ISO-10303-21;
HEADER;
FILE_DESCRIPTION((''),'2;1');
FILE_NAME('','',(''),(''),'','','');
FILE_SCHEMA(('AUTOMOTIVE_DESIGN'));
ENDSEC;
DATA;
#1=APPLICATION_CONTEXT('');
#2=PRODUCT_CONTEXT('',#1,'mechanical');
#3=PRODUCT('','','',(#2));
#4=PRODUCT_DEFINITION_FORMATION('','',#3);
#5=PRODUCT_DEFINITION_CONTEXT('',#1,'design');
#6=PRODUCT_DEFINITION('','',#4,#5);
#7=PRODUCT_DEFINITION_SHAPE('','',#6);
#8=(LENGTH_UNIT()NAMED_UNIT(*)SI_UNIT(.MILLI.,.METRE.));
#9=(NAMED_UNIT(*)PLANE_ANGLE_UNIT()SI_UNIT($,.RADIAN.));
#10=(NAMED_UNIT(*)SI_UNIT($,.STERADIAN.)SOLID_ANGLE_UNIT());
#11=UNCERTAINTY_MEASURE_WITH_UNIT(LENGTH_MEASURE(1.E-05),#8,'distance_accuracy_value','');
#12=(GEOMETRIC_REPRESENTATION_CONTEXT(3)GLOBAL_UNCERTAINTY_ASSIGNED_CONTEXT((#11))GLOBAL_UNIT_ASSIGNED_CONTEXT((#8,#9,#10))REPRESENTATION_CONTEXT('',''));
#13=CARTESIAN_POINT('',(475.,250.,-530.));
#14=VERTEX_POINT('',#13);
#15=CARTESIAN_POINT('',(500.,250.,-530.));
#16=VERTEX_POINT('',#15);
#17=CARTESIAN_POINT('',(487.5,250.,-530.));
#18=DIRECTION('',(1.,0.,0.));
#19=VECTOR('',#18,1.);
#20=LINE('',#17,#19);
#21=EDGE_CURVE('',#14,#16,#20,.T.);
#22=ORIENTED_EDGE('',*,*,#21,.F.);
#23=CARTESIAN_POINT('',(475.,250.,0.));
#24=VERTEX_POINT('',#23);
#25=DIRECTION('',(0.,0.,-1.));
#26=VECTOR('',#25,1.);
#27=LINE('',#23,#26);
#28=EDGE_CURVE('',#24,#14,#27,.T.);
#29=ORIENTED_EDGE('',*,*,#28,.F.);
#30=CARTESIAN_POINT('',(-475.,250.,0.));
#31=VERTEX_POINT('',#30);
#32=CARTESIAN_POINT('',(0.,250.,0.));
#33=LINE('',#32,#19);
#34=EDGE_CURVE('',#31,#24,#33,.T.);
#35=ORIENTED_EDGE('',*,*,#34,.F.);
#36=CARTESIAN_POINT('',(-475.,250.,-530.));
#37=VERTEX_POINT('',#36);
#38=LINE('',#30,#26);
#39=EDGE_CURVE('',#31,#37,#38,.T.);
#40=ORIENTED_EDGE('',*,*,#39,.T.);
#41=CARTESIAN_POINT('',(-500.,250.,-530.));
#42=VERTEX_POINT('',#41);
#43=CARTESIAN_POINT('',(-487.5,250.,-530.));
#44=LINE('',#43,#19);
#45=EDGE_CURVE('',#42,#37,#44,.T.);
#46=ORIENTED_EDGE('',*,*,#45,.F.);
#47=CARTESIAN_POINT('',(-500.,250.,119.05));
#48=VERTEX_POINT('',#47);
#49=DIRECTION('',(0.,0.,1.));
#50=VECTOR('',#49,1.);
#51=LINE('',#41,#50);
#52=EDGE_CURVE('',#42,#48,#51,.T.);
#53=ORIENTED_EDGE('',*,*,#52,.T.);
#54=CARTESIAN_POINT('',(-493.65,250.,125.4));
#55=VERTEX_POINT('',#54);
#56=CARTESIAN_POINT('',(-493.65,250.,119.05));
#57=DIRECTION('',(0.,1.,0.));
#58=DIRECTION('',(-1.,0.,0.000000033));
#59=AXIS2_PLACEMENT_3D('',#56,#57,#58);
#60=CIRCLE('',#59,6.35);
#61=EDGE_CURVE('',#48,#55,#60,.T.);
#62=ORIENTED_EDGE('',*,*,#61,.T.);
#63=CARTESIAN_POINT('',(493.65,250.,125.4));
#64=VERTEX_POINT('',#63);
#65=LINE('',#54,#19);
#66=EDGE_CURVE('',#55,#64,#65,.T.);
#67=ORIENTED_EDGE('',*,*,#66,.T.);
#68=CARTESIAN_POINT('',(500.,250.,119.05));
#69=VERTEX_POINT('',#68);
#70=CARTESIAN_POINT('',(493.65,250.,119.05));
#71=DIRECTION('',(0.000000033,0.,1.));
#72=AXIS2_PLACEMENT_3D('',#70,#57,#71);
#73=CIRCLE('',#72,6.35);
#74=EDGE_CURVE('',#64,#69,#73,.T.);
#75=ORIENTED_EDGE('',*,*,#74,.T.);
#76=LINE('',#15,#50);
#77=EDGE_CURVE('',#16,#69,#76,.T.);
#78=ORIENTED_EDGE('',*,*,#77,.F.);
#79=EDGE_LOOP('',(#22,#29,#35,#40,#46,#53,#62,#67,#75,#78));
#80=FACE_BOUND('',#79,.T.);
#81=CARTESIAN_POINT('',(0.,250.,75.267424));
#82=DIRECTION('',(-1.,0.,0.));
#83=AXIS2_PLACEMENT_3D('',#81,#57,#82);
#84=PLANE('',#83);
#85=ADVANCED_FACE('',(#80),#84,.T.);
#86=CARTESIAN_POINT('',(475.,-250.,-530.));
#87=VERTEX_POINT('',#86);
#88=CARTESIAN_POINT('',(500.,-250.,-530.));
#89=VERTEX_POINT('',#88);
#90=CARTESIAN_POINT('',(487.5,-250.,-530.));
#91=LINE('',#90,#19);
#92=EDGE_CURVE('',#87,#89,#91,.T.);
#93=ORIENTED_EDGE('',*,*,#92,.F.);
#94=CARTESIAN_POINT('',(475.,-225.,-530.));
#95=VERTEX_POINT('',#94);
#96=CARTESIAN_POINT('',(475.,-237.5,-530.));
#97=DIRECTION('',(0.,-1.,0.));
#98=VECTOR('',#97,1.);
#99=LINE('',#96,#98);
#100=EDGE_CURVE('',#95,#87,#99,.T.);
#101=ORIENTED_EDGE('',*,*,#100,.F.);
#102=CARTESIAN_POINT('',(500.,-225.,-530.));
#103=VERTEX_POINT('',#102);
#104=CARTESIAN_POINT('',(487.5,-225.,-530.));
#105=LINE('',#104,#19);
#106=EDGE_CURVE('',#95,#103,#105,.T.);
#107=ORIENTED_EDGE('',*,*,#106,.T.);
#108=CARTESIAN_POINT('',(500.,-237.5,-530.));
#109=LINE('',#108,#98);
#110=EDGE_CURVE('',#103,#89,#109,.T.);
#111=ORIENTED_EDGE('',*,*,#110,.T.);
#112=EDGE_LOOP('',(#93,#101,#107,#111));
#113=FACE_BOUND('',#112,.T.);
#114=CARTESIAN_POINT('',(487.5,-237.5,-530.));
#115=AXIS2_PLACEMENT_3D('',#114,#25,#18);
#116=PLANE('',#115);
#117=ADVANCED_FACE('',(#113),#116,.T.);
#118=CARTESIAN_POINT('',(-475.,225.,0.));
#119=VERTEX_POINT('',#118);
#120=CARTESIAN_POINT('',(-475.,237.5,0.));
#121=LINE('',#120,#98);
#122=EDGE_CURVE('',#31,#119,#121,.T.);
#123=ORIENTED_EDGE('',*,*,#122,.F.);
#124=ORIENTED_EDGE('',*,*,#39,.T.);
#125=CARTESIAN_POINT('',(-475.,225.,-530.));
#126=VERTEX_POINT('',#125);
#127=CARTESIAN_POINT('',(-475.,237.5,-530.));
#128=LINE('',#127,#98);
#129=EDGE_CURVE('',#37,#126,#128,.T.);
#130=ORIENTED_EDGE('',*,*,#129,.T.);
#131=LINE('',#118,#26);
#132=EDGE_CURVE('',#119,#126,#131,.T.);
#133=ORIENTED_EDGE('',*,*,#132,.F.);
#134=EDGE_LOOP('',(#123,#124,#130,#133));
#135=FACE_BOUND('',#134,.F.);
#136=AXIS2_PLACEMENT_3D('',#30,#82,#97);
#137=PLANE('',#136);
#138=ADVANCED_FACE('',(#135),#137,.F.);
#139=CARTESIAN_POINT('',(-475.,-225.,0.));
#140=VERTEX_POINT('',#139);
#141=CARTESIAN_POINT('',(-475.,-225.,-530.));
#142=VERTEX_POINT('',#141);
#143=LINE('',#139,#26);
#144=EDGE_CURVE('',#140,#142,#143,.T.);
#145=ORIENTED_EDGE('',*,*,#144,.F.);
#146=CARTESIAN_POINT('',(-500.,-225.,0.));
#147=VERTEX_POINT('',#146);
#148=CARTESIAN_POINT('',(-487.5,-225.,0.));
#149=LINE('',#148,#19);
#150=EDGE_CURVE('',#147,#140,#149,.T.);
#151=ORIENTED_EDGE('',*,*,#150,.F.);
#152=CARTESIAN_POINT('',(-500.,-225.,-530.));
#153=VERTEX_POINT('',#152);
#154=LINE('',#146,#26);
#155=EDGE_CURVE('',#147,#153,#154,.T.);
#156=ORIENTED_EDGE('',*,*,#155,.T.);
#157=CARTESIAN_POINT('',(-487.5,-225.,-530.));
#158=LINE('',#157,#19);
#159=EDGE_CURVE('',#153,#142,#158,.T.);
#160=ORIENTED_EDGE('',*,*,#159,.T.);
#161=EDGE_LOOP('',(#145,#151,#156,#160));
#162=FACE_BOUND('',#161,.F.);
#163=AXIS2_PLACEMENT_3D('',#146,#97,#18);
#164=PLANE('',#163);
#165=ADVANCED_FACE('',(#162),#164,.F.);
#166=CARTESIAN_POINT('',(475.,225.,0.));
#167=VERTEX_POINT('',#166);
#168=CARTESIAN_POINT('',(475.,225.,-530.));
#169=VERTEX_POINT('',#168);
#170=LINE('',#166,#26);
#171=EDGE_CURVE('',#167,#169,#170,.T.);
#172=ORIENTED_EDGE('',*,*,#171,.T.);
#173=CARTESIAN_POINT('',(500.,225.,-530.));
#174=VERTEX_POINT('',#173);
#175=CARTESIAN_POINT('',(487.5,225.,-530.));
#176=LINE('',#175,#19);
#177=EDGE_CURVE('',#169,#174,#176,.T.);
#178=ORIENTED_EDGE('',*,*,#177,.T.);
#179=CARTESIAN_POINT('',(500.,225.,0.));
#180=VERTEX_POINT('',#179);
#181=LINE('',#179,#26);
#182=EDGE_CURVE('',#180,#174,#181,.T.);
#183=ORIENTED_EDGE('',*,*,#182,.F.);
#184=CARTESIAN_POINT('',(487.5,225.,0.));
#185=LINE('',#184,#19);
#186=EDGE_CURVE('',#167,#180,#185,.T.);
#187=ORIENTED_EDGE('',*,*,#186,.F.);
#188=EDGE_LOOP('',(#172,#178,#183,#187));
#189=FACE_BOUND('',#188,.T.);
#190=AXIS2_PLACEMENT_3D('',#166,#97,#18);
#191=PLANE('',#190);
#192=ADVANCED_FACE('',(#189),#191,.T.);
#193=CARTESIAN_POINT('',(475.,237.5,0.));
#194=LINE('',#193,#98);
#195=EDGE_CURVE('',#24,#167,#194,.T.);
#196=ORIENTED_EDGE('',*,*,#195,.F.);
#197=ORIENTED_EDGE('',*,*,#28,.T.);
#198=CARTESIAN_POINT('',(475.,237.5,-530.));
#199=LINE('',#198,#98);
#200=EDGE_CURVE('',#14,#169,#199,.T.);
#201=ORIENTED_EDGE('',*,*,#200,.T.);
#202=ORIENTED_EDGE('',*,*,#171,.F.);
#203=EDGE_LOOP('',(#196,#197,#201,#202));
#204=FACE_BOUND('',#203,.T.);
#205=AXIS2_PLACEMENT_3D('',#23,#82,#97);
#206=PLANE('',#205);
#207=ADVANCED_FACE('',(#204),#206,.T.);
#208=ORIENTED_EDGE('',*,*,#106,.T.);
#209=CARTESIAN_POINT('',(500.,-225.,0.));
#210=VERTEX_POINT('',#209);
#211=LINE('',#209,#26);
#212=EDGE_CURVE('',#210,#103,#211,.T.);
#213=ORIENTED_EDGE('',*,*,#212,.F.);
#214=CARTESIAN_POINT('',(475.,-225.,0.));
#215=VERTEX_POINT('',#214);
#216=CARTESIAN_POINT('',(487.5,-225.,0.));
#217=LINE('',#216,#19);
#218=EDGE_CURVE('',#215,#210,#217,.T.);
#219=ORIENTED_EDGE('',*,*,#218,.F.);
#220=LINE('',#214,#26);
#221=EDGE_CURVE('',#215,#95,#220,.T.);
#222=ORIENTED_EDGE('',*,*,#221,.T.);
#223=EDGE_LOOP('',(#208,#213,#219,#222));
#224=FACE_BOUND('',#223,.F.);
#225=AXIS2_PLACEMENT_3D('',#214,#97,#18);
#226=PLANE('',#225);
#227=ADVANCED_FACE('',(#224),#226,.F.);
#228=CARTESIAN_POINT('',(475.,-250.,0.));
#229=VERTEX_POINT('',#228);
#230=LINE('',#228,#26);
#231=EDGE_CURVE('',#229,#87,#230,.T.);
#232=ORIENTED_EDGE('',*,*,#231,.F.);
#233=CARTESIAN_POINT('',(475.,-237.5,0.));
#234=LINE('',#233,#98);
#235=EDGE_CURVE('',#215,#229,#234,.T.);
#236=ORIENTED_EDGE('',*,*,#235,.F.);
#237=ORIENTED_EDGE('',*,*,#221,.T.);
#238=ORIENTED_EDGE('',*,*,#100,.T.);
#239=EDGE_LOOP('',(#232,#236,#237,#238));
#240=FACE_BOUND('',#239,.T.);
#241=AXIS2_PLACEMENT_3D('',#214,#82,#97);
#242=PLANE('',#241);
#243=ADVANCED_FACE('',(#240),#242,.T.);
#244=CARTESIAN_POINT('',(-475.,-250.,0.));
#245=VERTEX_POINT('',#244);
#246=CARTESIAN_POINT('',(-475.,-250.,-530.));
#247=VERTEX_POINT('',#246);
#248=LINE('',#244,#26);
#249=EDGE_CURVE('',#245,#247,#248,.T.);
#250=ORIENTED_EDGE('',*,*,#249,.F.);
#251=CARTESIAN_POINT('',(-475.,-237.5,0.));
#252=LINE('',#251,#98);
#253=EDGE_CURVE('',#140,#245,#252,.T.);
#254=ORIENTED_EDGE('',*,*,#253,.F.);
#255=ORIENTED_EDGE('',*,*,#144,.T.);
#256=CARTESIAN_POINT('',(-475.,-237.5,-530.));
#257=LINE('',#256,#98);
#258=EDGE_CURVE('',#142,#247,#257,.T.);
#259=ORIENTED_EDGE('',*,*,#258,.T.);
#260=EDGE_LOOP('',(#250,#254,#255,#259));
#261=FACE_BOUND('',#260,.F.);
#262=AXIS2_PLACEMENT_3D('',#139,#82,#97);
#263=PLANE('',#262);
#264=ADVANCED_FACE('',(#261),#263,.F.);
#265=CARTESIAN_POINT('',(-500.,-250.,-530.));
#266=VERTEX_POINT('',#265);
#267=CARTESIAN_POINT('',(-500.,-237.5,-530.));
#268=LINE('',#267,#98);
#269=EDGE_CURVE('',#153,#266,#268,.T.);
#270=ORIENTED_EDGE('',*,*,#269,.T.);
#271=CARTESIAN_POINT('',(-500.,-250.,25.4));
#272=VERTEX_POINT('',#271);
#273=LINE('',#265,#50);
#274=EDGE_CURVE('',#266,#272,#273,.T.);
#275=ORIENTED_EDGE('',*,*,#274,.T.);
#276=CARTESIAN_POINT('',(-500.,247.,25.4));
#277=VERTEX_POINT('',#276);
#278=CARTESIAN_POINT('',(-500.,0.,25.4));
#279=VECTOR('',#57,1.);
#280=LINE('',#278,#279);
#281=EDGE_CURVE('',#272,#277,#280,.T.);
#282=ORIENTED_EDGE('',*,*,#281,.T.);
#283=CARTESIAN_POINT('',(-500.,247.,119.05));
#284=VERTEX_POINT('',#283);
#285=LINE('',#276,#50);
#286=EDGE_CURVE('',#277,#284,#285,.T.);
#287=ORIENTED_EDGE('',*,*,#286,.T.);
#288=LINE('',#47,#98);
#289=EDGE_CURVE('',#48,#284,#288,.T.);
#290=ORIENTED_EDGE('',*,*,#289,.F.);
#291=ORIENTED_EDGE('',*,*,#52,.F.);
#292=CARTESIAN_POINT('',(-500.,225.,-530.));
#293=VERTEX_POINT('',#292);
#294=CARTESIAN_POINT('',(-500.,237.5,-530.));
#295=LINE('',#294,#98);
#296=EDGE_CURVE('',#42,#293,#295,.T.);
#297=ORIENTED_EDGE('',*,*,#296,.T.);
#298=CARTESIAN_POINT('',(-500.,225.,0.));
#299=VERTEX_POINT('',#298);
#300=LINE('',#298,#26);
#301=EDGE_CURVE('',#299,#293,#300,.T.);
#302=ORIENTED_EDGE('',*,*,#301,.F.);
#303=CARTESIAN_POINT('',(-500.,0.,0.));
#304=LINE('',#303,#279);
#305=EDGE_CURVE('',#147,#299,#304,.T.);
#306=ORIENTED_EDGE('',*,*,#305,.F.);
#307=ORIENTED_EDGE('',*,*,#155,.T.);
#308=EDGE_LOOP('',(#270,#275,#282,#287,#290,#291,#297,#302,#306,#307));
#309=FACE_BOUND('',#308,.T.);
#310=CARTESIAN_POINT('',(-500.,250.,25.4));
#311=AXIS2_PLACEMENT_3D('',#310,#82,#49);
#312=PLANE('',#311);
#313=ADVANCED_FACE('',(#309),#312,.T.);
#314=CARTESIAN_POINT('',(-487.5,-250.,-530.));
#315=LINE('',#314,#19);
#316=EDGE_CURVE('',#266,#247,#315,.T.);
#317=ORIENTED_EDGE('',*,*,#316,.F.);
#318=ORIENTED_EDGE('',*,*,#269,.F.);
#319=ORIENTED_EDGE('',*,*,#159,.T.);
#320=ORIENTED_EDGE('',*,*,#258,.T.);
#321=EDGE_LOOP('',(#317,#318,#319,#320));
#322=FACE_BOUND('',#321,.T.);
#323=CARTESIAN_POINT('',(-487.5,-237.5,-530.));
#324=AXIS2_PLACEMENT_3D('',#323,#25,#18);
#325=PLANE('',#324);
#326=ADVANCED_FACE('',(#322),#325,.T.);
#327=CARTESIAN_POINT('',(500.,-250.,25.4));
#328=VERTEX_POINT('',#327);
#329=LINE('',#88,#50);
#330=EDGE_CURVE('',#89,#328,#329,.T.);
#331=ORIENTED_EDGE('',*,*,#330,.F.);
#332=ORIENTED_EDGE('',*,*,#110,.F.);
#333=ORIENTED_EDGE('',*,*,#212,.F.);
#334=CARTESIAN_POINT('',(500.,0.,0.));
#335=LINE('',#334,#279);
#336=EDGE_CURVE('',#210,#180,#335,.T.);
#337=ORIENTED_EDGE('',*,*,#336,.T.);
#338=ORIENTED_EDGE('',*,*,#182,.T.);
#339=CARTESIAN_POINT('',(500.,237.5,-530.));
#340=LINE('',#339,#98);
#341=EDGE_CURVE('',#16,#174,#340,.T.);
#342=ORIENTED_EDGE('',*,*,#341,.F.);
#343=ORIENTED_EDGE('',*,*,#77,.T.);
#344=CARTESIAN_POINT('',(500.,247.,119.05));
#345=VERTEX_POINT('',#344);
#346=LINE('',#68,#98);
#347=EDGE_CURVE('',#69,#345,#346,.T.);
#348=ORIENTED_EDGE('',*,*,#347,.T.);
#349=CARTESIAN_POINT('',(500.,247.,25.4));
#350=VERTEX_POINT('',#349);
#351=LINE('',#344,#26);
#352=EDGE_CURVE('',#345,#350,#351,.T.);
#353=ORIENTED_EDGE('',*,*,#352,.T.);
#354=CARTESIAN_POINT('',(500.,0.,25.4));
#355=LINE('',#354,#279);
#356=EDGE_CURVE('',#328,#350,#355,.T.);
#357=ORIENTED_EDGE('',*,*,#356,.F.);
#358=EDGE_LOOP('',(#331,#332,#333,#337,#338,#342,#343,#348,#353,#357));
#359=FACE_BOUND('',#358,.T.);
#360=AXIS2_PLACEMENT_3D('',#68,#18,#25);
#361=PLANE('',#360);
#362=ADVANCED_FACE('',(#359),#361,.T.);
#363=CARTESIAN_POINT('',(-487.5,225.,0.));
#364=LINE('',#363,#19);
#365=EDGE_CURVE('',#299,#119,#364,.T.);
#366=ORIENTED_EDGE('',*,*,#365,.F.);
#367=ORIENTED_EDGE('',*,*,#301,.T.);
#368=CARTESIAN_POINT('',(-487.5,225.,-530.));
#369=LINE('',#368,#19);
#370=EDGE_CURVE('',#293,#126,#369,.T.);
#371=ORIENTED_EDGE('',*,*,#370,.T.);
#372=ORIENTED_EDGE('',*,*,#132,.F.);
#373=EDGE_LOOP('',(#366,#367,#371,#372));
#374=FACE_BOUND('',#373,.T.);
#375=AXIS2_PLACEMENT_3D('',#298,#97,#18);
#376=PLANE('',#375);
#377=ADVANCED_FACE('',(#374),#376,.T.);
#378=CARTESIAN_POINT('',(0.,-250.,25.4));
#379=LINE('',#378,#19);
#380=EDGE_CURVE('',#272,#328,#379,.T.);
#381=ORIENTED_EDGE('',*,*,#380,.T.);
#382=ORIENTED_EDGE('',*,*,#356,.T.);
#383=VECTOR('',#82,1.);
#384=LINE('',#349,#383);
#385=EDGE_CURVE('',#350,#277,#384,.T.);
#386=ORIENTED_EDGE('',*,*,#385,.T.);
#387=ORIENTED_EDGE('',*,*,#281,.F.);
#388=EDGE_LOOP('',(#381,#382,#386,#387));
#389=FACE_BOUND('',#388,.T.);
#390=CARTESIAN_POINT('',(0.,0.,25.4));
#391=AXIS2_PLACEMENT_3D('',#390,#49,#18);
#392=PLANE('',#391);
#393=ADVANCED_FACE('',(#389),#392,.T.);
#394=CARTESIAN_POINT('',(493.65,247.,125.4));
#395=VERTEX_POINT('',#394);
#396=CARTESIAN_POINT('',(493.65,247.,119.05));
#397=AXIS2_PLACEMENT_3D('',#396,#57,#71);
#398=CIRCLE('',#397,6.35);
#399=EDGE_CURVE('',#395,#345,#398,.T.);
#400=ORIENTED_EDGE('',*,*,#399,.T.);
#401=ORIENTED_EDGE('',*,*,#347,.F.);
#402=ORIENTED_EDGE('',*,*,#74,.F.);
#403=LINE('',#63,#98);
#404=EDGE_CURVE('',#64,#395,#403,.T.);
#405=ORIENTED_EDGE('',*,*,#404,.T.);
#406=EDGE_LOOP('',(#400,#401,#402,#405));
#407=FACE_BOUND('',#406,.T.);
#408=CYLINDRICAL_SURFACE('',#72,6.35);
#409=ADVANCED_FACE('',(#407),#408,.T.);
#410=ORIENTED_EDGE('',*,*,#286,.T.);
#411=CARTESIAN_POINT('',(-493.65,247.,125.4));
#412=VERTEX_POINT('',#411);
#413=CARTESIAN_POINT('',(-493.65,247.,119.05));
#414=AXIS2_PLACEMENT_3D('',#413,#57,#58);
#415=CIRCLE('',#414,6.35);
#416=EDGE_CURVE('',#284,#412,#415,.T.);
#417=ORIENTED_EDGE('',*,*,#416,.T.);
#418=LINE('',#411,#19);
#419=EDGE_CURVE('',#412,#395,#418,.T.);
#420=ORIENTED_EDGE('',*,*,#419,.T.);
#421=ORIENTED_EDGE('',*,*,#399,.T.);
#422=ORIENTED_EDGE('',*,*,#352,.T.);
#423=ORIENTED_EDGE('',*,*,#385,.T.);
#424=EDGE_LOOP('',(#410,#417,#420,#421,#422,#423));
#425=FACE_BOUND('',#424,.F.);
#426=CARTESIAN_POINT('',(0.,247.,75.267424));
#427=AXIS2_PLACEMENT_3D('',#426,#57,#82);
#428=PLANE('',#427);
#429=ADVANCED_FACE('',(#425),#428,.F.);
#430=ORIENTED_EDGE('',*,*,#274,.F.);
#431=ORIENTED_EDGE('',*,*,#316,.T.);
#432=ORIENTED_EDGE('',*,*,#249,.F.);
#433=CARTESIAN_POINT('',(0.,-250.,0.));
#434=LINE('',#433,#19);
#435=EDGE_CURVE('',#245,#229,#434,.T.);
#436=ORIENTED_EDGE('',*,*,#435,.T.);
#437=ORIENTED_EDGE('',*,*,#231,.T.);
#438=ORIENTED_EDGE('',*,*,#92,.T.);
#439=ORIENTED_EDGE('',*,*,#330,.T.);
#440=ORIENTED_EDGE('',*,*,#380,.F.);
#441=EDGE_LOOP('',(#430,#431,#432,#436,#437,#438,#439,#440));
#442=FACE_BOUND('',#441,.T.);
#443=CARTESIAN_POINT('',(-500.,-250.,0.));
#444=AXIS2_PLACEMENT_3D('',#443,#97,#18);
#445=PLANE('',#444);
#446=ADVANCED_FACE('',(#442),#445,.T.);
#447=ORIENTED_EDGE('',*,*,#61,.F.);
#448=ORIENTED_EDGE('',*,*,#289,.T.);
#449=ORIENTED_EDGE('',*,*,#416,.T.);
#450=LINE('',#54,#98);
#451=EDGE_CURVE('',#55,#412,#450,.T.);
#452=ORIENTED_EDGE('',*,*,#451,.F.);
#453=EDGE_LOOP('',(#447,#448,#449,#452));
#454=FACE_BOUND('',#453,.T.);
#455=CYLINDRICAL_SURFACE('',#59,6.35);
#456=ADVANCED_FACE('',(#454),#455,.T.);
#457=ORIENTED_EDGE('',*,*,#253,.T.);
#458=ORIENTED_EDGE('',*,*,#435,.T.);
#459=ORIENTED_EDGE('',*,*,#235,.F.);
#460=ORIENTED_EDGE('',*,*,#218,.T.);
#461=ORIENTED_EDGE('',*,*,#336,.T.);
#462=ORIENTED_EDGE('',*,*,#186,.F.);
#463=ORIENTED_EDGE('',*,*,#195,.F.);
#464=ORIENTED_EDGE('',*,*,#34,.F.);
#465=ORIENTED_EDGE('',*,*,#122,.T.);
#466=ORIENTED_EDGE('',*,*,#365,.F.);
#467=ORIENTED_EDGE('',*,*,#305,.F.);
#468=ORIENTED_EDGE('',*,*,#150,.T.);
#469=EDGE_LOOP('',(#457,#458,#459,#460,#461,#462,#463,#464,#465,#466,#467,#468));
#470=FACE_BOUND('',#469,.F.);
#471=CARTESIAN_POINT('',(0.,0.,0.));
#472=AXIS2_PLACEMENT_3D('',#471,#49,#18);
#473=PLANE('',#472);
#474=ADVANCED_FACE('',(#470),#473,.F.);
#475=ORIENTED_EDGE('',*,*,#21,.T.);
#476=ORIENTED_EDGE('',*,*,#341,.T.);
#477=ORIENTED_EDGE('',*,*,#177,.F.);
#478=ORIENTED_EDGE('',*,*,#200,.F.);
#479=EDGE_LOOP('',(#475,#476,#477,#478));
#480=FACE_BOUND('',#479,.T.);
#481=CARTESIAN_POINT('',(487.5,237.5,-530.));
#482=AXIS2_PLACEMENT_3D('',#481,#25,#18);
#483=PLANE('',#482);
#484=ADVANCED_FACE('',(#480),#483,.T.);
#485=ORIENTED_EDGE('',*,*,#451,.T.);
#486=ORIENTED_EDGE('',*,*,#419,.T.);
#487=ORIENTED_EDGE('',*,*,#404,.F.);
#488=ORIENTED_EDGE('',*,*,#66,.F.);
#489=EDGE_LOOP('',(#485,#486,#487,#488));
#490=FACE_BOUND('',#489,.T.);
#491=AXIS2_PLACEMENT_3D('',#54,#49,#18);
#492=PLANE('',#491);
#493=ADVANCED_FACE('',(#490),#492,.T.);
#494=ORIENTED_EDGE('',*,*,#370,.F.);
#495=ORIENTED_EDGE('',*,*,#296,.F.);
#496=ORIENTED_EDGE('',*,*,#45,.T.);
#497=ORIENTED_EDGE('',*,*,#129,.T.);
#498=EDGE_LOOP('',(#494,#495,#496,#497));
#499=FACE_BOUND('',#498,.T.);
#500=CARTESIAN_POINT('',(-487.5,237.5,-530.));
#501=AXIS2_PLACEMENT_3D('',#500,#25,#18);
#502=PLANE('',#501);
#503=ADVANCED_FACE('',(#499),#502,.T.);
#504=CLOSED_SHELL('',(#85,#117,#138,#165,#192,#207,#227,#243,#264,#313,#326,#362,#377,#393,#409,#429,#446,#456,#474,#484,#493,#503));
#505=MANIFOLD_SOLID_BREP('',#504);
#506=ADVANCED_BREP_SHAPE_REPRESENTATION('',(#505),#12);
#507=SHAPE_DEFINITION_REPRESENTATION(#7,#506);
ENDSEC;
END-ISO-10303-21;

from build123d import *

# Parameters (mm, degrees)
F0_W     = 1000
F0_H     = 500
F1_DEPTH = 25.4
F2_W     = 25
F2_H     = 25
F3_DEPTH = 530
F5_DEPTH = 3


with BuildPart() as f1:
    # F0 (on Top) → F1 (new body)
    with BuildSketch(Plane.XY):
        Rectangle(F0_W, F0_H)
    extrude(amount=F1_DEPTH)

    # F2 (on face) → F3 (join)
    with BuildSketch(Plane(origin=(0, 0, 0), x_dir=(1, 0, 0), z_dir=(0, 0, -1))):
        with Locations((-487.5, 237.5)):
            Rectangle(F2_W, F2_H)
        with Locations((-487.5, -237.5)):
            Rectangle(F2_W, F2_H)
        with Locations((487.5, 237.5)):
            Rectangle(F2_W, F2_H)
        with Locations((487.5, -237.5)):
            Rectangle(F2_W, F2_H)
    extrude(amount=F3_DEPTH)

    # F4 (on face) → F5 (join)
    with BuildSketch(Plane(origin=(0, 250, 0), x_dir=(-1, 0, 0), z_dir=(0, 1, 0))):
        with BuildLine():
            Line((-500, 119.05), (-500, 25.4))
            Line((-500, 25.4), (500, 25.4))
            Line((500, 25.4), (500, 119.05))
            ThreePointArc((500, 119.05), (498.140128, 123.540128), (493.65, 125.4))
            Line((493.65, 125.4), (-493.65, 125.4))
            ThreePointArc((-493.65, 125.4), (-498.140128, 123.540128), (-500, 119.05))
        make_face()
    extrude(amount=-F5_DEPTH)


solid = f1.part
